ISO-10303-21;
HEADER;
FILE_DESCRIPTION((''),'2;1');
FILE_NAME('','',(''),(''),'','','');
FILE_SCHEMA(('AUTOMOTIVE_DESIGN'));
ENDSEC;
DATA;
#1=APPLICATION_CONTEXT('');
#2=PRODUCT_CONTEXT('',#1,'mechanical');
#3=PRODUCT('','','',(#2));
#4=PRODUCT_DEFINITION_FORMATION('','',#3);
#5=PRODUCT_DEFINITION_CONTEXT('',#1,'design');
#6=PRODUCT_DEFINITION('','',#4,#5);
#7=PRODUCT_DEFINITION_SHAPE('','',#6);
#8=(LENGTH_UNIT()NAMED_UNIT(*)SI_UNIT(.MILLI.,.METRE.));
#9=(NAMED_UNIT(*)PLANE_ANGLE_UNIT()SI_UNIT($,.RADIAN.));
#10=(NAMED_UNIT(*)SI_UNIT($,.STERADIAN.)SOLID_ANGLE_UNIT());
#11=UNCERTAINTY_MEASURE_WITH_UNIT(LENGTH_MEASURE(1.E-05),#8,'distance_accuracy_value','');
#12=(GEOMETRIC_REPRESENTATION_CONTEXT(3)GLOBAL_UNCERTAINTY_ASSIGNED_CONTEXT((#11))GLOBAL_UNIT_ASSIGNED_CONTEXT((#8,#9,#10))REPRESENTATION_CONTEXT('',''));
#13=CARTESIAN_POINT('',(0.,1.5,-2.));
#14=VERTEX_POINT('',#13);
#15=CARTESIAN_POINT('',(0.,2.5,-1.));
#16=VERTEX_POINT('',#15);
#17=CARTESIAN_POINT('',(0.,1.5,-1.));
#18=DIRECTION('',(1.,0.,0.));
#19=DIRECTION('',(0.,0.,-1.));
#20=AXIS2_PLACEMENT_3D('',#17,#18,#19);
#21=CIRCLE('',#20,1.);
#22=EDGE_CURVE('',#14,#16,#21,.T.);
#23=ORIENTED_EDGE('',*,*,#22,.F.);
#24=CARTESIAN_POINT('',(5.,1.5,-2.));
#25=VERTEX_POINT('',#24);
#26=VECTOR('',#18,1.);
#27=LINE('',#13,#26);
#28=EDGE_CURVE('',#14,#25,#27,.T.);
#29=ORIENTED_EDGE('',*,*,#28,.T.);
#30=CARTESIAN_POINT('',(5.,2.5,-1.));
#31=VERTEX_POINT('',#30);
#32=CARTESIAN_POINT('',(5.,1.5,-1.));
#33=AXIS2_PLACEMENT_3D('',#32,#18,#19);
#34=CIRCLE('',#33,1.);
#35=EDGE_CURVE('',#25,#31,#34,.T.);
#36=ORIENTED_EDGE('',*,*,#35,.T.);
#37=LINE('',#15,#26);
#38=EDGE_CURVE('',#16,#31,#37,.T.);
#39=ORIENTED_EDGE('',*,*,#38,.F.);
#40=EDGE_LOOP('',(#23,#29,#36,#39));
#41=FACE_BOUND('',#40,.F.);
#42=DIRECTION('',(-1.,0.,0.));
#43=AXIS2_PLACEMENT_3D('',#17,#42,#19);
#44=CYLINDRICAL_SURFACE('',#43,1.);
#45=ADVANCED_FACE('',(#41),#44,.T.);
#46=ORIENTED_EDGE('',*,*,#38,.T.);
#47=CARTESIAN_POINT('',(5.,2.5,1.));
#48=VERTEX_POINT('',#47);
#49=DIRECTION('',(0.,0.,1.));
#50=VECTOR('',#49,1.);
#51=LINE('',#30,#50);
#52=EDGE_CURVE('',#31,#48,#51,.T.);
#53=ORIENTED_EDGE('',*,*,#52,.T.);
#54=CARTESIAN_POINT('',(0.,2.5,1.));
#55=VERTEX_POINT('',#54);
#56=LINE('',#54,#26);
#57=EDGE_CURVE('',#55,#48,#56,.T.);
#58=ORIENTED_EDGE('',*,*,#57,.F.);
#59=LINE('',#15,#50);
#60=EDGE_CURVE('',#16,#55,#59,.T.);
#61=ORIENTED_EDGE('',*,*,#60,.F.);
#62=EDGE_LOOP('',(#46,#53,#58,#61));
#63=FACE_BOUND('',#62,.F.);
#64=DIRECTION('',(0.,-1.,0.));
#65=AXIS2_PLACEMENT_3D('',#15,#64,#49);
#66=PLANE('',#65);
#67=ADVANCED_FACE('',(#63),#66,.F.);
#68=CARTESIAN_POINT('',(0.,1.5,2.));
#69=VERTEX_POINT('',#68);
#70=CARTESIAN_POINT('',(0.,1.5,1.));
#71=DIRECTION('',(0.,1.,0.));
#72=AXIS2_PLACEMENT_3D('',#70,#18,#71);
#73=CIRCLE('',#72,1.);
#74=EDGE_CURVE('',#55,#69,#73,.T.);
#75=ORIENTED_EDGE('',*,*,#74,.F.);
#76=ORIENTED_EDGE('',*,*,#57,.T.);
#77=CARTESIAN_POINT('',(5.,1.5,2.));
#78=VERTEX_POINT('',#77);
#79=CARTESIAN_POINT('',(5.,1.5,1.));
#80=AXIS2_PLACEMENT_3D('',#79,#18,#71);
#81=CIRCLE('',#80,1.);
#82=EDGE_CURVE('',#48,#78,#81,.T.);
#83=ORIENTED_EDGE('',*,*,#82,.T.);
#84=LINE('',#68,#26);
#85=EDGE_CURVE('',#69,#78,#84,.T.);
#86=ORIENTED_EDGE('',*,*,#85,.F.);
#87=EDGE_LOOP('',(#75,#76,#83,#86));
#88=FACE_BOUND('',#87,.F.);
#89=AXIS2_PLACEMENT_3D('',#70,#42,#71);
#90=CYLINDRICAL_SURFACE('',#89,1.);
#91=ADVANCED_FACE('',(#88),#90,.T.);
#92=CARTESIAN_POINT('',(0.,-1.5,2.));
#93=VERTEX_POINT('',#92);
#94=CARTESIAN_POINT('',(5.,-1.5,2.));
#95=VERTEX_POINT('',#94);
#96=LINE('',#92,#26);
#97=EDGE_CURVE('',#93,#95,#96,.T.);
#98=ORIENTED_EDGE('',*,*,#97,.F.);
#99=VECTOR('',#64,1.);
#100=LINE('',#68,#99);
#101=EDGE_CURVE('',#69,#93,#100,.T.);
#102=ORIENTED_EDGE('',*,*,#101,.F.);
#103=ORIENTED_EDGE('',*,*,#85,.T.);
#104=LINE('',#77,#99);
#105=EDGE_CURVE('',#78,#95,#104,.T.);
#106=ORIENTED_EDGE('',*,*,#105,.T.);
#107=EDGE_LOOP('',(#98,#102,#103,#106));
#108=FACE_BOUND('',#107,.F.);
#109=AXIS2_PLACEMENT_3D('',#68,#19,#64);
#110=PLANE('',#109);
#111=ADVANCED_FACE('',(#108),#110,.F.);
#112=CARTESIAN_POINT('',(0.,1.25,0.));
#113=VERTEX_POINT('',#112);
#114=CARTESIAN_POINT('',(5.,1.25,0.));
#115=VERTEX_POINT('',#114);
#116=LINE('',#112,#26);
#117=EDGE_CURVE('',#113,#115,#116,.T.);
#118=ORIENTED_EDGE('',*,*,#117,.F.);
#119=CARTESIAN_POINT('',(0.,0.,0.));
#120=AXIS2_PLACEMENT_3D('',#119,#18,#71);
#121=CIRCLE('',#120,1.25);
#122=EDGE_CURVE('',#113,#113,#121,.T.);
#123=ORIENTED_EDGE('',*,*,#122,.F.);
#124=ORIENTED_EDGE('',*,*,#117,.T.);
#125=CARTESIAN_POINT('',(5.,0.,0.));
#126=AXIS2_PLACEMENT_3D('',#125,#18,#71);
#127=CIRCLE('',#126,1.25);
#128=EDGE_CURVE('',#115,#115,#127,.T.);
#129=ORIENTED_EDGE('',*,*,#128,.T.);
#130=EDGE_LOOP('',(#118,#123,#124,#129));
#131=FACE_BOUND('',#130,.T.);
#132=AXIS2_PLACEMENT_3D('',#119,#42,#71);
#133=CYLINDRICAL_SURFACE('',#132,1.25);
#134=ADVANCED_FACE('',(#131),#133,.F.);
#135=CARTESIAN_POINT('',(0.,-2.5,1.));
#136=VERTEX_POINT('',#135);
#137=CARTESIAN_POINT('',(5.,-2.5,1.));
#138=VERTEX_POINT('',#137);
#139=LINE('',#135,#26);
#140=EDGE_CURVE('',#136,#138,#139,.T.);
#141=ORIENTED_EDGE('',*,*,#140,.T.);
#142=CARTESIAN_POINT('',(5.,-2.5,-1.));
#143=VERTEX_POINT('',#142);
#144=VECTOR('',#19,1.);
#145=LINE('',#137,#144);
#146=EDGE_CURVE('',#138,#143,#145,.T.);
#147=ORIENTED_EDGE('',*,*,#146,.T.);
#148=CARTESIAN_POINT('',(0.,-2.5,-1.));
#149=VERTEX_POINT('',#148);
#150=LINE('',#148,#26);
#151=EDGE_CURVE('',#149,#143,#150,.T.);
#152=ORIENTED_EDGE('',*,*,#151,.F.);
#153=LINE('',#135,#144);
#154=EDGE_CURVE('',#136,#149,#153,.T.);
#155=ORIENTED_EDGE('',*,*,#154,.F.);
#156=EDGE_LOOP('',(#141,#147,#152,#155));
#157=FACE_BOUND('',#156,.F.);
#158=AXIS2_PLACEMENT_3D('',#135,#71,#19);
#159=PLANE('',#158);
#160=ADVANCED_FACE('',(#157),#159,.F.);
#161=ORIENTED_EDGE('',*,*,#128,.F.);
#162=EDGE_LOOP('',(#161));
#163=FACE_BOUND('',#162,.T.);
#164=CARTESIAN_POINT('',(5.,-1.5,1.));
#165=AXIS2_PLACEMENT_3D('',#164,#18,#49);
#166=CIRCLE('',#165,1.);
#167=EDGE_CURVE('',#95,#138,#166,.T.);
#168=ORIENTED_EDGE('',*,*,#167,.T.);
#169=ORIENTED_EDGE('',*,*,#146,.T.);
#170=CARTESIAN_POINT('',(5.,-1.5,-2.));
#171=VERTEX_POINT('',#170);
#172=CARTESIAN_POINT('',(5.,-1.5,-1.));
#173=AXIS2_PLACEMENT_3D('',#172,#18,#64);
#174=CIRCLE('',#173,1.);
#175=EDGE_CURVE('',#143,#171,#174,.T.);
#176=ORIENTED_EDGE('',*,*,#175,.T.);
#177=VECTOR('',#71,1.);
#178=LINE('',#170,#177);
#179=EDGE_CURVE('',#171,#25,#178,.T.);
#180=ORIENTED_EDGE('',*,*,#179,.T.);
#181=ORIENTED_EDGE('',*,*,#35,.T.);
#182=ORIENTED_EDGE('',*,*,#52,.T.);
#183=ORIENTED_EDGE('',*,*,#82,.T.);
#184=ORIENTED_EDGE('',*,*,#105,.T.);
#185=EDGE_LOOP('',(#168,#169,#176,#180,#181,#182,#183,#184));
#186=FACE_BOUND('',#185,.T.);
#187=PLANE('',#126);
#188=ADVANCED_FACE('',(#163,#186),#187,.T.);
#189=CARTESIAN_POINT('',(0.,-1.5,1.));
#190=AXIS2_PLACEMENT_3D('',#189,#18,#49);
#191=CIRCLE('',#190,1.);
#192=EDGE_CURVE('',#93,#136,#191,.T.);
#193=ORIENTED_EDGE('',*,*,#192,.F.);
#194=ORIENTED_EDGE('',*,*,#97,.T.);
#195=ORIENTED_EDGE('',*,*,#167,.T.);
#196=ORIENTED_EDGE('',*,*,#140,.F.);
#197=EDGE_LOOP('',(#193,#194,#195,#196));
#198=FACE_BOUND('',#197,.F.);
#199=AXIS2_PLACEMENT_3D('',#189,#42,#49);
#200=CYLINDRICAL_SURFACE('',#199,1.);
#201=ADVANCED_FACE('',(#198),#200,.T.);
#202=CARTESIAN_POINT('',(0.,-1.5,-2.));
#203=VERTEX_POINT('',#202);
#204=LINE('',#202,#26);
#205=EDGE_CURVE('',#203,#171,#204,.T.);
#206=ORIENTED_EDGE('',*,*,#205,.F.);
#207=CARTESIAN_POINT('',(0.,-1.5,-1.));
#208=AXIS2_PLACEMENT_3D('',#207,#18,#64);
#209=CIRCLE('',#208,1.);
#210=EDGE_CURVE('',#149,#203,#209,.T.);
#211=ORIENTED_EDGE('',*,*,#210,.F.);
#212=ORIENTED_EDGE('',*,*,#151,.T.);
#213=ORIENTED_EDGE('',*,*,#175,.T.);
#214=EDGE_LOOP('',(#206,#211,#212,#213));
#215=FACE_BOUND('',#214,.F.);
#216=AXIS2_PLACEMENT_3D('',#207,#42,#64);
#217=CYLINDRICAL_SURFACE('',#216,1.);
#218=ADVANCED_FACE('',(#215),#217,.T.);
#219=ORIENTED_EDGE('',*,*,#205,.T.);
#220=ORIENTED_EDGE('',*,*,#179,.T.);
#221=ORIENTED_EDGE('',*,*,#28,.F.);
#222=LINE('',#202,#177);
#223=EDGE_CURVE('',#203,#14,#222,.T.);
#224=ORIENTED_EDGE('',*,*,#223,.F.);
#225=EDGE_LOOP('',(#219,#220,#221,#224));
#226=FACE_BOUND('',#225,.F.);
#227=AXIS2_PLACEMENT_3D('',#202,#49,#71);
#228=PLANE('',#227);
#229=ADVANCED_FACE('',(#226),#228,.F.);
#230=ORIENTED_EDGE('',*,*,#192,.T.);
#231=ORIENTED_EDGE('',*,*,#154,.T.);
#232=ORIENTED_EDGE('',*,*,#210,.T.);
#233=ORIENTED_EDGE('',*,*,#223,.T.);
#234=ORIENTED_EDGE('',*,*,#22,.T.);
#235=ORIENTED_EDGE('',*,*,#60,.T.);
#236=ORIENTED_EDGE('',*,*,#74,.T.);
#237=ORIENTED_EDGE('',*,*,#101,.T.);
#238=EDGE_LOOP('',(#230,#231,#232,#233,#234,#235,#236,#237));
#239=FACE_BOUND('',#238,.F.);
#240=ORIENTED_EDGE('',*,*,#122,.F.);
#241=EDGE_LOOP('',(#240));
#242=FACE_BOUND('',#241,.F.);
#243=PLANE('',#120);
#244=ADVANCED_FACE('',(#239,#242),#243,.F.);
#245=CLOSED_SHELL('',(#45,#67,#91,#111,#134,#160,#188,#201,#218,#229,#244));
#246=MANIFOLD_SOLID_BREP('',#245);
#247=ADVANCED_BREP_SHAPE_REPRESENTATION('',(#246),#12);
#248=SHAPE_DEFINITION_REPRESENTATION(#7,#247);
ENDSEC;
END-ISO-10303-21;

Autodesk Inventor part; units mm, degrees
ref_plane "YZ Plane" through (0, 0, 0) normal (1, 0, 0) x (0, 1, 0)
ref_plane "XZ Plane" through (0, 0, 0) normal (0, 1, 0) x (-1, 0, 0)
ref_plane "XY Plane" through (0, 0, 0) normal (0, 0, 1) x (1, 0, 0)
sketch "Sketch1" plane through (0, 0, 0) normal (1, 0, 0) x (0, 1, 0)
  line L0 (1.5, 2) -> (-1.5, 2)
  line L1 (-2.5, 1) -> (-2.5, -1)
  line L2 (-1.5, -2) -> (1.5, -2)
  line L3 (2.5, -1) -> (2.5, 1)
  circle A0 centre (0, 0) radius 1.25
  arc A1 (2.5, 1) -> (1.5, 2) centre (1.5, 1) ccw
  arc A2 (1.5, -2) -> (2.5, -1) centre (1.5, -1) ccw
  arc A3 (-1.5, 2) -> (-2.5, 1) centre (-1.5, 1) ccw
  arc A4 (-2.5, -1) -> (-1.5, -2) centre (-1.5, -1) ccw
  point P0 (2.5, 2)
  point P1 (-2.5, 2)
  point P2 (2.5, -2)
  point P3 (2.5, 0)
  point P4 (0, 2)
  dimension "d0" = 4
  dimension "d1" = 5
  dimension "d2" = 2.5
  dimension "d3" = 1
extrude "Extrusion1" add sketch "Sketch1" along normal blind 5
properties part number "Podkladka_5mm"
